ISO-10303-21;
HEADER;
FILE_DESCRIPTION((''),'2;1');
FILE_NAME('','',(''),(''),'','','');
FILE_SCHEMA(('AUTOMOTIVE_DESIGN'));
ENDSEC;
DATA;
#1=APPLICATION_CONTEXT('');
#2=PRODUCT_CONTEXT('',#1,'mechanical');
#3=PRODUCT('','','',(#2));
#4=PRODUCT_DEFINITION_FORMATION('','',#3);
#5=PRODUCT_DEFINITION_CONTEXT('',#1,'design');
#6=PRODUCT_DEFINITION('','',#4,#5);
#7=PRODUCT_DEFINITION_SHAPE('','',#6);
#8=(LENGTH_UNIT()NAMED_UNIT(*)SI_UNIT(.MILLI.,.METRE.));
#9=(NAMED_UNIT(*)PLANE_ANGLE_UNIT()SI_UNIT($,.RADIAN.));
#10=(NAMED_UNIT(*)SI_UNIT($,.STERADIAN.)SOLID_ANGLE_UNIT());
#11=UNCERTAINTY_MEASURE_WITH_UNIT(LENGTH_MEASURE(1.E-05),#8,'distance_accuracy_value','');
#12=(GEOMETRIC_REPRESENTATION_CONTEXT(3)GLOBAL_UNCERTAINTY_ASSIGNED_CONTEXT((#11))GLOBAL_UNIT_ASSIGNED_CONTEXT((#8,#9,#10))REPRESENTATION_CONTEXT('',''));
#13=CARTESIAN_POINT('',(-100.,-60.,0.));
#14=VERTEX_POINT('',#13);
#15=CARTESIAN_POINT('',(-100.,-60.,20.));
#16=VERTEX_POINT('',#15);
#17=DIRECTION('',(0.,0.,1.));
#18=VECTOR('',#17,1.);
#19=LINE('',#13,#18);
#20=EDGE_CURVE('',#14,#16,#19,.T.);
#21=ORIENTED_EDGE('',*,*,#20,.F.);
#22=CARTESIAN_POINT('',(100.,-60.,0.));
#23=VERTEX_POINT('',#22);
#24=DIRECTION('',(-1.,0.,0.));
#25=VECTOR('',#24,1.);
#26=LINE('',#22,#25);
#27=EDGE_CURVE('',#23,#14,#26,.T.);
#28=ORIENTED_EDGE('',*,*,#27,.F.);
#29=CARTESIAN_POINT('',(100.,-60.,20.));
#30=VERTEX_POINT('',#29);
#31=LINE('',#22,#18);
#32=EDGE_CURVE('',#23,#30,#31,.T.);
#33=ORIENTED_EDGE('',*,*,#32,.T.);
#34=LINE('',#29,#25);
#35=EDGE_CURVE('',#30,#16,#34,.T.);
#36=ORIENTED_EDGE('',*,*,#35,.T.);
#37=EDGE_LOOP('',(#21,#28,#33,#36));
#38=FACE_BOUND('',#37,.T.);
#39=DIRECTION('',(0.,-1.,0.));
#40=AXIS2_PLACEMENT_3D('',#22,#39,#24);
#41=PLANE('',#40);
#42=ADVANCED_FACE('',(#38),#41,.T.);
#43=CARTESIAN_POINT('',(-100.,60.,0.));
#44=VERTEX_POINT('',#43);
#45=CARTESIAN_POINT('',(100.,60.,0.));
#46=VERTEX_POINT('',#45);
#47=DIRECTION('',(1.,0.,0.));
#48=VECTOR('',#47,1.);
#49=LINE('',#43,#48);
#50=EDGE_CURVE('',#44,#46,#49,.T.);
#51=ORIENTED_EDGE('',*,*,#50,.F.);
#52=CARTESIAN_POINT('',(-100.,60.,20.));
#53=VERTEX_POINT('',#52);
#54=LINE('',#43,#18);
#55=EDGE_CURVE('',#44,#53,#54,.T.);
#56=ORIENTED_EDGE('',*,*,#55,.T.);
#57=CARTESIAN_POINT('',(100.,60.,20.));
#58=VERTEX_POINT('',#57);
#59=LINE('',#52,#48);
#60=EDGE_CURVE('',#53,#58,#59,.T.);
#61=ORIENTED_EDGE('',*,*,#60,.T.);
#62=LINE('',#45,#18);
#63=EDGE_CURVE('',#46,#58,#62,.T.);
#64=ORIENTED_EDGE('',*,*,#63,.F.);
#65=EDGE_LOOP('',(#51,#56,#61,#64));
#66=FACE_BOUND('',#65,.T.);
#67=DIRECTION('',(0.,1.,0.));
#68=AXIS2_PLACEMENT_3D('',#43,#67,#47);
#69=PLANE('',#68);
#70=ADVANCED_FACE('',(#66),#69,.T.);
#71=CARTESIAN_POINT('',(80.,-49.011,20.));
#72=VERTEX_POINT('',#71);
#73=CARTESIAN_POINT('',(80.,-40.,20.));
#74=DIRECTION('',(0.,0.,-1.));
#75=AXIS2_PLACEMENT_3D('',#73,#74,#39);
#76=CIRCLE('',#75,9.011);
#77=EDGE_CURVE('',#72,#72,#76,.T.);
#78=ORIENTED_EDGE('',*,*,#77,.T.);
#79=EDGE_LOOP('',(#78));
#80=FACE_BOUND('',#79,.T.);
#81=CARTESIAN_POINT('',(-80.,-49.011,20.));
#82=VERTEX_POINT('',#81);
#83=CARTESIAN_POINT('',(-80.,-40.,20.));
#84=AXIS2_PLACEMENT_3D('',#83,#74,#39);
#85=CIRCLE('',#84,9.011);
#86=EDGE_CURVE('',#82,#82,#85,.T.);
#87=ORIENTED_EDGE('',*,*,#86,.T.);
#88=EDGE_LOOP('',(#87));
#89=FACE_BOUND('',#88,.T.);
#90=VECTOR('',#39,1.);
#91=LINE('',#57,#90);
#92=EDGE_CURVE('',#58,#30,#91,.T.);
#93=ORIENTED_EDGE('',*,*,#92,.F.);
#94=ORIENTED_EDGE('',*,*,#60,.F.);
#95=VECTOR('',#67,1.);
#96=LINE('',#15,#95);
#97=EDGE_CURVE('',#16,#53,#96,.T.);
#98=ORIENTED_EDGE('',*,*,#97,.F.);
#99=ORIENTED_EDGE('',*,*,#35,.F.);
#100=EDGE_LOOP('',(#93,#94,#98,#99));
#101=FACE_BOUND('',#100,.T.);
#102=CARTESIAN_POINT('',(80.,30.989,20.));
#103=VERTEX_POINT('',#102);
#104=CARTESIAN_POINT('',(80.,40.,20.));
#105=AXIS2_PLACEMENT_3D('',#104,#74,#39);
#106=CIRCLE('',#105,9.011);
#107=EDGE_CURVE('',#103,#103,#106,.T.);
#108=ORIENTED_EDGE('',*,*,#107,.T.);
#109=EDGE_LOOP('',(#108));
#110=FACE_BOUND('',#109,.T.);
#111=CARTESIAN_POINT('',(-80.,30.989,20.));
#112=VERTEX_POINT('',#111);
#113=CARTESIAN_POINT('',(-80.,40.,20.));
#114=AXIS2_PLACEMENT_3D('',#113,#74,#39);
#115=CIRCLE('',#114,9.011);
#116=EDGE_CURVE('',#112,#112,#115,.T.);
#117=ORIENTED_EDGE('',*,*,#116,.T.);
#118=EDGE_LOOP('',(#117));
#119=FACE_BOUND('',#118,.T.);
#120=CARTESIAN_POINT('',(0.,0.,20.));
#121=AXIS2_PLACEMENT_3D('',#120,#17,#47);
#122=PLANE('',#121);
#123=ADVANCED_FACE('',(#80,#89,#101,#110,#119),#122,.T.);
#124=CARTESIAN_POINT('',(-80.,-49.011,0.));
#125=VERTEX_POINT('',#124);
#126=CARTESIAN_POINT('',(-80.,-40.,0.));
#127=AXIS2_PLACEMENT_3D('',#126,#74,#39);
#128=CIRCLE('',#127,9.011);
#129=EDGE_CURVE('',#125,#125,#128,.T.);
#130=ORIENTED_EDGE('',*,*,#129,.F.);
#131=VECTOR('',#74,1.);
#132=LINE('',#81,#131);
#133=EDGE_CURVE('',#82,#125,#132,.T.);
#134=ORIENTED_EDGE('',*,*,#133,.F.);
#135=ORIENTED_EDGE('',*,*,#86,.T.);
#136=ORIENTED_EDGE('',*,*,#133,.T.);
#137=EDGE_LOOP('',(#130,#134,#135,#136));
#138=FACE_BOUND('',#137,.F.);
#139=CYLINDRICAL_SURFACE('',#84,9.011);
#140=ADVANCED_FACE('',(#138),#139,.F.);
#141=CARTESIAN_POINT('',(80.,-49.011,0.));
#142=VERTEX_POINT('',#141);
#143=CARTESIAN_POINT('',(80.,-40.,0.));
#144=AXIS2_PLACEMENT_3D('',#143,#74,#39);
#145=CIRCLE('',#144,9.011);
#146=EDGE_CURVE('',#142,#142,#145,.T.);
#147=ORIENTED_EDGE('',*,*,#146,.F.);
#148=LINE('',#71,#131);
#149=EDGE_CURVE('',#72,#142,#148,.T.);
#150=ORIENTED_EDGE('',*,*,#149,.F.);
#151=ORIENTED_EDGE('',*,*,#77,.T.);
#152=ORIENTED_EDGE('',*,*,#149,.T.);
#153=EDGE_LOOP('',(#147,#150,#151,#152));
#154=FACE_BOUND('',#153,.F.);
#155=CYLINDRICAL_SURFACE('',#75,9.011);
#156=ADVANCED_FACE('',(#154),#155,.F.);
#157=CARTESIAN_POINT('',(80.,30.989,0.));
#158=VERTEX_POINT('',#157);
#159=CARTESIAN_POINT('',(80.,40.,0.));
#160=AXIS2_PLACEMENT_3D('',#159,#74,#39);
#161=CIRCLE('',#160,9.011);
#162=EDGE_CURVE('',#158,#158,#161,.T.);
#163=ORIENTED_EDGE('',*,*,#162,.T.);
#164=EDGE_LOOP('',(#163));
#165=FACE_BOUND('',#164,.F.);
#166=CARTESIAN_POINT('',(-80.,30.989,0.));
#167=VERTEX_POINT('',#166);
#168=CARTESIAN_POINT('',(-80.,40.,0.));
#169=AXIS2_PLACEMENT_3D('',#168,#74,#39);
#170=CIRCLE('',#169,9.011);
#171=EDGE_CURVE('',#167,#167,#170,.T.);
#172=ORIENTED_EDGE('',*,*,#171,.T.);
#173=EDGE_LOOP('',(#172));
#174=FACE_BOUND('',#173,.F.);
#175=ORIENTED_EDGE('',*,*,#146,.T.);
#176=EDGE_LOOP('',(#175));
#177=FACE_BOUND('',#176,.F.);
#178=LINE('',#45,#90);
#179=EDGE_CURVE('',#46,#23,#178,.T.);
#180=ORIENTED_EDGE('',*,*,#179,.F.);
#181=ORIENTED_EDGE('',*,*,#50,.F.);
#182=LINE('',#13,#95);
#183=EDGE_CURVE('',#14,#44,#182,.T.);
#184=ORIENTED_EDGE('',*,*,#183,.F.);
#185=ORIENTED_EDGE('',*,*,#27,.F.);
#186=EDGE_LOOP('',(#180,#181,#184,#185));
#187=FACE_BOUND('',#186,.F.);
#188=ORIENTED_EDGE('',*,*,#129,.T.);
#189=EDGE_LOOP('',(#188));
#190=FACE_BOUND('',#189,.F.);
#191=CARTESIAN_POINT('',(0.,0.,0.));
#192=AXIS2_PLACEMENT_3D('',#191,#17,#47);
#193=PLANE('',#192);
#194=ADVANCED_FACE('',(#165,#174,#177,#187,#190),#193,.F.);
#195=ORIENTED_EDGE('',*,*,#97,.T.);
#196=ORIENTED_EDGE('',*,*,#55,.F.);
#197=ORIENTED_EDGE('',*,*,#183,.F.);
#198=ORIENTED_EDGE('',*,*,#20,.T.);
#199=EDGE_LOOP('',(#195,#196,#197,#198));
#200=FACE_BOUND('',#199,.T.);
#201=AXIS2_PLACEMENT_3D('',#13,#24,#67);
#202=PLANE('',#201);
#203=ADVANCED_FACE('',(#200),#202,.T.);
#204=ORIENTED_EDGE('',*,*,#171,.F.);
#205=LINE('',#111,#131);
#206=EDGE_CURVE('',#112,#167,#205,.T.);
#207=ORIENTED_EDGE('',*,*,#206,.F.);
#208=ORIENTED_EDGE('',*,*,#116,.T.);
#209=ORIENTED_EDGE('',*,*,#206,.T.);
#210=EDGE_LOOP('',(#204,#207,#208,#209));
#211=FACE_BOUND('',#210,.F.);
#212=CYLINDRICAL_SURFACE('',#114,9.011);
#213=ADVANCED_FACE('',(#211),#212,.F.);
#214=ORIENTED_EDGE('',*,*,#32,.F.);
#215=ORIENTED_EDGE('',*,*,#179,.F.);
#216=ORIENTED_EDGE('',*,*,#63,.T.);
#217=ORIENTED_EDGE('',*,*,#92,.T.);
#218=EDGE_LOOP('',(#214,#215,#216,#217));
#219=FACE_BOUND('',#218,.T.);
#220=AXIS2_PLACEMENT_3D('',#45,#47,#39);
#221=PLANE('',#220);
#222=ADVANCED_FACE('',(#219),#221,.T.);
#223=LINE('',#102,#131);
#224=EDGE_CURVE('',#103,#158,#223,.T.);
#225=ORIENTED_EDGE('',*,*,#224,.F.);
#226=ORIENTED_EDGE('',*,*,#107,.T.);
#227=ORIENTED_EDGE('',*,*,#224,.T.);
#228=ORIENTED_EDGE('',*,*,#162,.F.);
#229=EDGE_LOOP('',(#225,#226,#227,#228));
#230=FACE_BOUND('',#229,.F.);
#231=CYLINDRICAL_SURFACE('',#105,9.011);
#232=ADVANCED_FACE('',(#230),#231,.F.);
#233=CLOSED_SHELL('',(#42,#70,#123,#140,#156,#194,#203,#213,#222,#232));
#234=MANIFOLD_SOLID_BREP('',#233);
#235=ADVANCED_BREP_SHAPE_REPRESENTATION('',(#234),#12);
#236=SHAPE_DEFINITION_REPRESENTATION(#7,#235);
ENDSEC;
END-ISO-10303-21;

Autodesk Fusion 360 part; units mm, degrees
sketch "Sketch1" plane through (0, 0, 0) normal (0, 0, 1) x (1, 0, 0)
  line L0 (-100, 60) -> (100, 60)
  line L1 (100, 60) -> (100, -60)
  line L2 (100, -60) -> (-100, -60)
  line L3 (-100, -60) -> (-100, 60)
  line L4 (-100, 60) -> (100, -60) construction
  line L5 (100, 60) -> (-100, -60) construction
extrude "Extrude1" add sketch "Sketch1" along normal blind 20
sketch "Sketch2" plane through (0, 0, 20) normal (0, 0, 1) x (-1, 0, 0)
  line L0 (100, 60) -> (-100, 60)
  line L1 (-100, 60) -> (-100, -60)
  line L2 (-100, -60) -> (100, -60)
  line L3 (100, -60) -> (100, 60)
  line L4 (80, -40) -> (-80, -40)
  line L5 (-80, -40) -> (-80, 40)
  line L6 (-80, 40) -> (80, 40)
  line L7 (80, 40) -> (80, -40)
  line L8 (80, -40) -> (-80, 40) construction
  line L9 (-80, -40) -> (80, 40) construction
hole "Hole1" at (-80, 40, 20) at (-80, -40, 20) at (80, 40, 20) at (80, -40, 20) direction (0, 0, -1) diameter 18.022 depth 20 tip angle 118
